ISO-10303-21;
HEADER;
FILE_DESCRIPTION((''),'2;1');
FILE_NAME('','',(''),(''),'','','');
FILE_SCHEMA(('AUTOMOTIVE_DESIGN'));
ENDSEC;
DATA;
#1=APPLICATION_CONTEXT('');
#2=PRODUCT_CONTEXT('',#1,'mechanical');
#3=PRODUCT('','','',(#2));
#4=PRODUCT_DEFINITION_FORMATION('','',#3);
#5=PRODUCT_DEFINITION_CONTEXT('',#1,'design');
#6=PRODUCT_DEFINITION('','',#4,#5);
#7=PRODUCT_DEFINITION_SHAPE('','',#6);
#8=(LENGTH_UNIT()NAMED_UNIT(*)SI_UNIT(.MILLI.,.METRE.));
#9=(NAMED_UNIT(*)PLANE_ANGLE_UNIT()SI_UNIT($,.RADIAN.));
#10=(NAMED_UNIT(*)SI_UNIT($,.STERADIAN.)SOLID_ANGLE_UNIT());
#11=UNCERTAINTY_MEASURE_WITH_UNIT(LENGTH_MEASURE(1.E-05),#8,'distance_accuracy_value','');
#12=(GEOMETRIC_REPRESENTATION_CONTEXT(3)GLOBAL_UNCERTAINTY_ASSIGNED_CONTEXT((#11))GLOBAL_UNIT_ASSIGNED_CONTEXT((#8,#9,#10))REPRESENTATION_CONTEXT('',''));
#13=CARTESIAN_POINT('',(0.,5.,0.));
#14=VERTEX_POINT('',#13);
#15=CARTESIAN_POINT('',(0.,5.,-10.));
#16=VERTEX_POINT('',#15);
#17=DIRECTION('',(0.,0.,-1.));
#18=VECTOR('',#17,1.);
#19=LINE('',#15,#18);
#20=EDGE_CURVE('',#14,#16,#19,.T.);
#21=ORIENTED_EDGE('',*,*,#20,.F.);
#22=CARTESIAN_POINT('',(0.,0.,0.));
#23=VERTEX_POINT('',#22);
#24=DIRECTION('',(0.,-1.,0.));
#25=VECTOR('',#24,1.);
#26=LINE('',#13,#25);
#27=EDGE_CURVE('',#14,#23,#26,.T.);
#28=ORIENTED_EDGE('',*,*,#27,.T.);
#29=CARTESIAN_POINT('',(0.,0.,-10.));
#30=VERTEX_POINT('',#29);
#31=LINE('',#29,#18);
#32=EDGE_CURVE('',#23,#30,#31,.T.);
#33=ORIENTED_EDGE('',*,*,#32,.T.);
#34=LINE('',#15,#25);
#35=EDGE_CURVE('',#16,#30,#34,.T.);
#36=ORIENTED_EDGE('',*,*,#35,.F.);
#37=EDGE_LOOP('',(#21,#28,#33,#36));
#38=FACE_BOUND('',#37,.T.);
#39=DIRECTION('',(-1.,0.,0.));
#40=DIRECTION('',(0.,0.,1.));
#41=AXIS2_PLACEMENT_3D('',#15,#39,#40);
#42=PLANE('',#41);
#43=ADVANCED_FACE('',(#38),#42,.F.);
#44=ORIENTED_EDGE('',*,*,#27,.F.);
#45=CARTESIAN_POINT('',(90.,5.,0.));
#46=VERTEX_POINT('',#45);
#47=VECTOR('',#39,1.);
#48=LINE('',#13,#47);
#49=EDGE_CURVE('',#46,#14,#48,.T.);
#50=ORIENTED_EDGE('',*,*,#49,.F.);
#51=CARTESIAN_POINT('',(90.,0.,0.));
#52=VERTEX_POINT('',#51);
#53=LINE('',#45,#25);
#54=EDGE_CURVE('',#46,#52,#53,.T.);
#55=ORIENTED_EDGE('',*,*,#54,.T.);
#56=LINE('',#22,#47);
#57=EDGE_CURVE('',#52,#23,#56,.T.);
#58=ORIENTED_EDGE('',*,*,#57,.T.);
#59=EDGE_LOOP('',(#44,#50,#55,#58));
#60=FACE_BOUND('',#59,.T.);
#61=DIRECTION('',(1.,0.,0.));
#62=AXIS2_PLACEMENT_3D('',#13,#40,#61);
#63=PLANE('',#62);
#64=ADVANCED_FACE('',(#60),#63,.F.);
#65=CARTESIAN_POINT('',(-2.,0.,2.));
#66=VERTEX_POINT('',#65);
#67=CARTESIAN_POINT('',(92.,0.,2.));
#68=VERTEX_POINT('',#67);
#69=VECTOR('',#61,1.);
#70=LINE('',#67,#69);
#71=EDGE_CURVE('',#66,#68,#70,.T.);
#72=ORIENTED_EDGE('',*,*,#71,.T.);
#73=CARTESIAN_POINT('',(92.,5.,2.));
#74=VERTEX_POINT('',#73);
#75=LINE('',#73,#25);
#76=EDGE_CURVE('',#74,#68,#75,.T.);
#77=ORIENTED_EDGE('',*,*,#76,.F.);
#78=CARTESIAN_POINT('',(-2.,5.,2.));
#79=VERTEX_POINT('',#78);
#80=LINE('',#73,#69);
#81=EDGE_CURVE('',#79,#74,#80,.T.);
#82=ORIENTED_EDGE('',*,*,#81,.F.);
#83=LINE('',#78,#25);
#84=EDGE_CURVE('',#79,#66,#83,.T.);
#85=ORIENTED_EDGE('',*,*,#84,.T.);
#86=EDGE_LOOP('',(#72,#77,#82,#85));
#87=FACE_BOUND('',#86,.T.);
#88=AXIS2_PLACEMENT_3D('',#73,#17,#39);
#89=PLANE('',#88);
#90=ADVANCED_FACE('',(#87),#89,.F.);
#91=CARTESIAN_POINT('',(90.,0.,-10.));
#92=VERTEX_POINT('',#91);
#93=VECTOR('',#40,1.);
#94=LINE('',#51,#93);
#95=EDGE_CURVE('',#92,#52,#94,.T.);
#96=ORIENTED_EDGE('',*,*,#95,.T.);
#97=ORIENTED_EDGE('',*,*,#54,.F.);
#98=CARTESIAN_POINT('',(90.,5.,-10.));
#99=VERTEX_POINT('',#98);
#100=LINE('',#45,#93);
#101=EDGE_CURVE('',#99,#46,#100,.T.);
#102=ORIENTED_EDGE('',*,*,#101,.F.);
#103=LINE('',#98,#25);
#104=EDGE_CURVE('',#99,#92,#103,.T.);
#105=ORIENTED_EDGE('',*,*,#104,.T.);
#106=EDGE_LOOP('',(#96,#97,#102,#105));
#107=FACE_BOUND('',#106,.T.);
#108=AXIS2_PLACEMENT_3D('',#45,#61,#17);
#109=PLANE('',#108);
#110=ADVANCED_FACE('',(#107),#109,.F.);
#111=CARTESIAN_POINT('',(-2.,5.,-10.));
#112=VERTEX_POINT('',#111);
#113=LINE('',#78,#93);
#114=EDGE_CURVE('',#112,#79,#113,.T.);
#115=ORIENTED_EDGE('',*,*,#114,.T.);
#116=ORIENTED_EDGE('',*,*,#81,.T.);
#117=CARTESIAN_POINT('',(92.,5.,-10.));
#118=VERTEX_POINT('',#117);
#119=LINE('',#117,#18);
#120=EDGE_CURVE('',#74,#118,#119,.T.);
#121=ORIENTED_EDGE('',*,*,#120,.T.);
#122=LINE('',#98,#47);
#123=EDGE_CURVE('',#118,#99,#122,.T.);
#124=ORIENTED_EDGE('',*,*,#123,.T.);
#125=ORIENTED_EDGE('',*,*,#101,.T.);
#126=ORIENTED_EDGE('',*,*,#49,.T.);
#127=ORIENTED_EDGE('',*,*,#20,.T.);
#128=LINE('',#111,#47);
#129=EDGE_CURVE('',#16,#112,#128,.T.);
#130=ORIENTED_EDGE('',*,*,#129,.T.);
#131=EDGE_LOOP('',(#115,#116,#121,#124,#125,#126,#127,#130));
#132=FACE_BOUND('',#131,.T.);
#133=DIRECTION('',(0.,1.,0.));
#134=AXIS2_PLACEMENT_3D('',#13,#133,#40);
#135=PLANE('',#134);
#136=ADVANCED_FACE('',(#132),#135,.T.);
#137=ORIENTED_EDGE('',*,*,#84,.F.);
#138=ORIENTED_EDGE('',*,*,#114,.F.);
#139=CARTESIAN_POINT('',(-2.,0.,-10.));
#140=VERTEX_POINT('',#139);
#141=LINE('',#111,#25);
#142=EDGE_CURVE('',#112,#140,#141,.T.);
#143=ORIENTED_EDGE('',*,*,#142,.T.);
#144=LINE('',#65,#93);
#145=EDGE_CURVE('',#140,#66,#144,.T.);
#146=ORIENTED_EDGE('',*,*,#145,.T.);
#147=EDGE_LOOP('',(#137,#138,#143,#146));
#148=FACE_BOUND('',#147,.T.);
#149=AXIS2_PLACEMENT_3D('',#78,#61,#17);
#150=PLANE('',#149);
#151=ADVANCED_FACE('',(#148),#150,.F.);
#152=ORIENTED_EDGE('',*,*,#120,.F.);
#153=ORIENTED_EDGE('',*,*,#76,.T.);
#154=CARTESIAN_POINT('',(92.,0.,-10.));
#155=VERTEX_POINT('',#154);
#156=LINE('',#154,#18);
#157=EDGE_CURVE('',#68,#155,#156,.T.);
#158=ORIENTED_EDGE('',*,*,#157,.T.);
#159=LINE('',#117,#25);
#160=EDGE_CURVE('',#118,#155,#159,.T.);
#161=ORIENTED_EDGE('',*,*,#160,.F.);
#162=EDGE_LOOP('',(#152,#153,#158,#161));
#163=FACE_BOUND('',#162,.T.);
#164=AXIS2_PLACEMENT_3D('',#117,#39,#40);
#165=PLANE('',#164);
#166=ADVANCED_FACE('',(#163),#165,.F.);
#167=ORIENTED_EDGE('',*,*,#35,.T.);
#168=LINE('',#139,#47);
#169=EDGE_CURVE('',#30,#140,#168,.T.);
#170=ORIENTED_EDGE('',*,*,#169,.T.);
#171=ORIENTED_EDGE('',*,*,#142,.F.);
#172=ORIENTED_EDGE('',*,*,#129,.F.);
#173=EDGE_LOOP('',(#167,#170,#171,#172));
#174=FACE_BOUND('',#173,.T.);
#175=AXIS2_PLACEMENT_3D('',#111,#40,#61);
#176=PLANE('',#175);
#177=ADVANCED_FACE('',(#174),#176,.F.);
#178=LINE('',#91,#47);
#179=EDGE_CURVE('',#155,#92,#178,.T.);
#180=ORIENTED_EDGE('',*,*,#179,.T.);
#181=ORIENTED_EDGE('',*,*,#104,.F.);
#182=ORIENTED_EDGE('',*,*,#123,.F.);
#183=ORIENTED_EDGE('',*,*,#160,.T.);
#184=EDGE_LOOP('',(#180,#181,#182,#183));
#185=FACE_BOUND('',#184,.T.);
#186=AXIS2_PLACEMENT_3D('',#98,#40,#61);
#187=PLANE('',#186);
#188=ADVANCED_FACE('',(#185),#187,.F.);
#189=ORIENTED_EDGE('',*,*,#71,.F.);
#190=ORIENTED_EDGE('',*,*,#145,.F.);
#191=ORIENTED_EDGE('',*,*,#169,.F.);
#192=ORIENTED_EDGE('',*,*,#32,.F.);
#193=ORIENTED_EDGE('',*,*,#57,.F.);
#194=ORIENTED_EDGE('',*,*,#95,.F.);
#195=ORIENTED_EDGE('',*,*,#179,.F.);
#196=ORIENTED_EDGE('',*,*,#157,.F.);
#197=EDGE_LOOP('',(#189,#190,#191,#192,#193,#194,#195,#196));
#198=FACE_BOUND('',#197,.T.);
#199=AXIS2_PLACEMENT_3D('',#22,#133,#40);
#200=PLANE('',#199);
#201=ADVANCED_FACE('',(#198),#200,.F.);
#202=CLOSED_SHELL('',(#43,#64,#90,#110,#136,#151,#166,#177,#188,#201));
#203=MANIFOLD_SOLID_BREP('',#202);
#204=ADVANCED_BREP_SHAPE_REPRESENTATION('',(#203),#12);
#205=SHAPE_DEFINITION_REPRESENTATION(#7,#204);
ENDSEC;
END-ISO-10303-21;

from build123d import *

# Parameters (mm, degrees)
BOSS_EXTRUDE1_DEPTH = 5


with BuildPart() as part:
    # Sketch1 → Boss-Extrude1 (new body)
    with BuildSketch(Plane(origin=(0, 0, 0), x_dir=(1, 0, 0), z_dir=(0, 1, 0))):
        Polygon((0, 0), (90, 0), (90, 10), (92, 10), (92, -2), (-2, -2), (-2, 10), (0, 10), align=None)
    extrude(amount=BOSS_EXTRUDE1_DEPTH)


solid = part.part
